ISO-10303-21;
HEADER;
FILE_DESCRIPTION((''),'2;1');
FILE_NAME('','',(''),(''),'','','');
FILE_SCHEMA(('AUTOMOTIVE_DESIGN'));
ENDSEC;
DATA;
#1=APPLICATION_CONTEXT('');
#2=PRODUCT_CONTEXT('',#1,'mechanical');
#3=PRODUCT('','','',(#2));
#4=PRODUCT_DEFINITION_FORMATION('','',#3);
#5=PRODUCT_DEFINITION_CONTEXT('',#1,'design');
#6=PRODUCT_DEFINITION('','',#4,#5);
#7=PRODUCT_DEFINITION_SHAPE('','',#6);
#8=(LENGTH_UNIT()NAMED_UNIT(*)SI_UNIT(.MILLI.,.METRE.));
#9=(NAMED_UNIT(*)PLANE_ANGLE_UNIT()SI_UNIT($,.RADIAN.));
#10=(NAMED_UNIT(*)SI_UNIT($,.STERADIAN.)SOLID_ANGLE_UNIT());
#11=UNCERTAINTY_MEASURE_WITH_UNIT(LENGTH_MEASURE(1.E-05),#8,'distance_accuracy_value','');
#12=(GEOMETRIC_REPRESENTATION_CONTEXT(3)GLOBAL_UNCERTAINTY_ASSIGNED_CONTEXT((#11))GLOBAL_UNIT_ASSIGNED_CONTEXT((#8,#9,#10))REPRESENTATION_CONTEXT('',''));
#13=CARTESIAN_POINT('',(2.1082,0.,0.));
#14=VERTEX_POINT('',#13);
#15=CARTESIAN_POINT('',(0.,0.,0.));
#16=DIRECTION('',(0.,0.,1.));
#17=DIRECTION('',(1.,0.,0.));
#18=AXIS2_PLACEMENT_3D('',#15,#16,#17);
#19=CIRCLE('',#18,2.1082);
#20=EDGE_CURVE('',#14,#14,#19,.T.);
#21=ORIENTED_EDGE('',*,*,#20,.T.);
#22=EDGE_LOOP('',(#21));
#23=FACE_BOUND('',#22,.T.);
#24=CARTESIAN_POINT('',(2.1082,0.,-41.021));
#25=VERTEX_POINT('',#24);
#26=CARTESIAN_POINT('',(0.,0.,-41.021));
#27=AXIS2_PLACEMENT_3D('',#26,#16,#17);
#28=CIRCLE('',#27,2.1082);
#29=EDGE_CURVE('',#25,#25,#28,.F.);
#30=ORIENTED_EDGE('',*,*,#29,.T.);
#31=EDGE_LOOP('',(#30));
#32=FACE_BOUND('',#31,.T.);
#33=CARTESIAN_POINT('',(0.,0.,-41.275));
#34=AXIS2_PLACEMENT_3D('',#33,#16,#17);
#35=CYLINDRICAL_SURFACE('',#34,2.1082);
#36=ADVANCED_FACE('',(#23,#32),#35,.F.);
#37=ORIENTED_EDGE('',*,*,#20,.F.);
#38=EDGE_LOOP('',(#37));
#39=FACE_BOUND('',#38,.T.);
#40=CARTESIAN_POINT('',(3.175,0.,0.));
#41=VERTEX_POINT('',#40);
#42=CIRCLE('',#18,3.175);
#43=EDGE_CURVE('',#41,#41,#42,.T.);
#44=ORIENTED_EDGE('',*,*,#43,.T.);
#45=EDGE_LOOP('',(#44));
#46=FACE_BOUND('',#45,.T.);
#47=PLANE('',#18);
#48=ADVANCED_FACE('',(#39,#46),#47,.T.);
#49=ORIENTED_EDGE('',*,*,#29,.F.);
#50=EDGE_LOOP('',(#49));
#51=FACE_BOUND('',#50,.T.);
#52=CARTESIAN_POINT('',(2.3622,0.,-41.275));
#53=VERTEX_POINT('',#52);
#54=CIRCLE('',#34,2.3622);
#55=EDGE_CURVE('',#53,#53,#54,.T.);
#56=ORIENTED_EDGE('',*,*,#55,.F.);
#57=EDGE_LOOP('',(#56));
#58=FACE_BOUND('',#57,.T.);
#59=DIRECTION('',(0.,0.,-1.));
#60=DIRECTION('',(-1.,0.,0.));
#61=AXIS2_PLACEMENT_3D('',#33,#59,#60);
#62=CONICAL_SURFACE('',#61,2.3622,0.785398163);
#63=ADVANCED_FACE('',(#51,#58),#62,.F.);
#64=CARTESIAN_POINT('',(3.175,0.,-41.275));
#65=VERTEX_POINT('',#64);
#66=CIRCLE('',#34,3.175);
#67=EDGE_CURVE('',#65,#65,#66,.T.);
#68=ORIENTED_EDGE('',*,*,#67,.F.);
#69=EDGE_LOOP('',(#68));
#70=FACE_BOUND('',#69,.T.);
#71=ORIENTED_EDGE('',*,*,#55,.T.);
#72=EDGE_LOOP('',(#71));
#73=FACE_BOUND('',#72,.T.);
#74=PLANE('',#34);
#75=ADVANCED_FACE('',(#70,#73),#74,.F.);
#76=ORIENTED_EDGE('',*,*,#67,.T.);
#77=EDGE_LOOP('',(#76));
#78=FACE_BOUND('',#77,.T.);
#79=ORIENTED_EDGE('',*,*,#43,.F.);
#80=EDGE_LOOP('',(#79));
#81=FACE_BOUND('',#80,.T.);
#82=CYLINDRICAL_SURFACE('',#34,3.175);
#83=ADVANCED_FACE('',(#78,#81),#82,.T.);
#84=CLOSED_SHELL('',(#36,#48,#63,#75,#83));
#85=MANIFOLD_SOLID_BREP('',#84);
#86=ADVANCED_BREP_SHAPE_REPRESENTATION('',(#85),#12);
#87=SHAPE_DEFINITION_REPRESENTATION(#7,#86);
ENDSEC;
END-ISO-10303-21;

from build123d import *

# Parameters (mm, degrees)
SKETCH1_R           = 3.175
SKETCH1_R_2         = 2.1082
BOSS_EXTRUDE1_DEPTH = 41.275
CHAMFER1_SIZE       = 0.254


with BuildPart() as part:
    # Sketch1 → Boss-Extrude1 (new body)
    with BuildSketch(Plane.XY):
        Circle(SKETCH1_R)
        Circle(SKETCH1_R_2, mode=Mode.SUBTRACT)
    extrude(amount=-BOSS_EXTRUDE1_DEPTH)

    # Chamfer1
    chamfer1_edges = [part.edges().sort_by_distance(p)[0] for p in [
        (-2.1082, 0, -41.275),
    ]]
    chamfer(chamfer1_edges, length=CHAMFER1_SIZE)


solid = part.part
